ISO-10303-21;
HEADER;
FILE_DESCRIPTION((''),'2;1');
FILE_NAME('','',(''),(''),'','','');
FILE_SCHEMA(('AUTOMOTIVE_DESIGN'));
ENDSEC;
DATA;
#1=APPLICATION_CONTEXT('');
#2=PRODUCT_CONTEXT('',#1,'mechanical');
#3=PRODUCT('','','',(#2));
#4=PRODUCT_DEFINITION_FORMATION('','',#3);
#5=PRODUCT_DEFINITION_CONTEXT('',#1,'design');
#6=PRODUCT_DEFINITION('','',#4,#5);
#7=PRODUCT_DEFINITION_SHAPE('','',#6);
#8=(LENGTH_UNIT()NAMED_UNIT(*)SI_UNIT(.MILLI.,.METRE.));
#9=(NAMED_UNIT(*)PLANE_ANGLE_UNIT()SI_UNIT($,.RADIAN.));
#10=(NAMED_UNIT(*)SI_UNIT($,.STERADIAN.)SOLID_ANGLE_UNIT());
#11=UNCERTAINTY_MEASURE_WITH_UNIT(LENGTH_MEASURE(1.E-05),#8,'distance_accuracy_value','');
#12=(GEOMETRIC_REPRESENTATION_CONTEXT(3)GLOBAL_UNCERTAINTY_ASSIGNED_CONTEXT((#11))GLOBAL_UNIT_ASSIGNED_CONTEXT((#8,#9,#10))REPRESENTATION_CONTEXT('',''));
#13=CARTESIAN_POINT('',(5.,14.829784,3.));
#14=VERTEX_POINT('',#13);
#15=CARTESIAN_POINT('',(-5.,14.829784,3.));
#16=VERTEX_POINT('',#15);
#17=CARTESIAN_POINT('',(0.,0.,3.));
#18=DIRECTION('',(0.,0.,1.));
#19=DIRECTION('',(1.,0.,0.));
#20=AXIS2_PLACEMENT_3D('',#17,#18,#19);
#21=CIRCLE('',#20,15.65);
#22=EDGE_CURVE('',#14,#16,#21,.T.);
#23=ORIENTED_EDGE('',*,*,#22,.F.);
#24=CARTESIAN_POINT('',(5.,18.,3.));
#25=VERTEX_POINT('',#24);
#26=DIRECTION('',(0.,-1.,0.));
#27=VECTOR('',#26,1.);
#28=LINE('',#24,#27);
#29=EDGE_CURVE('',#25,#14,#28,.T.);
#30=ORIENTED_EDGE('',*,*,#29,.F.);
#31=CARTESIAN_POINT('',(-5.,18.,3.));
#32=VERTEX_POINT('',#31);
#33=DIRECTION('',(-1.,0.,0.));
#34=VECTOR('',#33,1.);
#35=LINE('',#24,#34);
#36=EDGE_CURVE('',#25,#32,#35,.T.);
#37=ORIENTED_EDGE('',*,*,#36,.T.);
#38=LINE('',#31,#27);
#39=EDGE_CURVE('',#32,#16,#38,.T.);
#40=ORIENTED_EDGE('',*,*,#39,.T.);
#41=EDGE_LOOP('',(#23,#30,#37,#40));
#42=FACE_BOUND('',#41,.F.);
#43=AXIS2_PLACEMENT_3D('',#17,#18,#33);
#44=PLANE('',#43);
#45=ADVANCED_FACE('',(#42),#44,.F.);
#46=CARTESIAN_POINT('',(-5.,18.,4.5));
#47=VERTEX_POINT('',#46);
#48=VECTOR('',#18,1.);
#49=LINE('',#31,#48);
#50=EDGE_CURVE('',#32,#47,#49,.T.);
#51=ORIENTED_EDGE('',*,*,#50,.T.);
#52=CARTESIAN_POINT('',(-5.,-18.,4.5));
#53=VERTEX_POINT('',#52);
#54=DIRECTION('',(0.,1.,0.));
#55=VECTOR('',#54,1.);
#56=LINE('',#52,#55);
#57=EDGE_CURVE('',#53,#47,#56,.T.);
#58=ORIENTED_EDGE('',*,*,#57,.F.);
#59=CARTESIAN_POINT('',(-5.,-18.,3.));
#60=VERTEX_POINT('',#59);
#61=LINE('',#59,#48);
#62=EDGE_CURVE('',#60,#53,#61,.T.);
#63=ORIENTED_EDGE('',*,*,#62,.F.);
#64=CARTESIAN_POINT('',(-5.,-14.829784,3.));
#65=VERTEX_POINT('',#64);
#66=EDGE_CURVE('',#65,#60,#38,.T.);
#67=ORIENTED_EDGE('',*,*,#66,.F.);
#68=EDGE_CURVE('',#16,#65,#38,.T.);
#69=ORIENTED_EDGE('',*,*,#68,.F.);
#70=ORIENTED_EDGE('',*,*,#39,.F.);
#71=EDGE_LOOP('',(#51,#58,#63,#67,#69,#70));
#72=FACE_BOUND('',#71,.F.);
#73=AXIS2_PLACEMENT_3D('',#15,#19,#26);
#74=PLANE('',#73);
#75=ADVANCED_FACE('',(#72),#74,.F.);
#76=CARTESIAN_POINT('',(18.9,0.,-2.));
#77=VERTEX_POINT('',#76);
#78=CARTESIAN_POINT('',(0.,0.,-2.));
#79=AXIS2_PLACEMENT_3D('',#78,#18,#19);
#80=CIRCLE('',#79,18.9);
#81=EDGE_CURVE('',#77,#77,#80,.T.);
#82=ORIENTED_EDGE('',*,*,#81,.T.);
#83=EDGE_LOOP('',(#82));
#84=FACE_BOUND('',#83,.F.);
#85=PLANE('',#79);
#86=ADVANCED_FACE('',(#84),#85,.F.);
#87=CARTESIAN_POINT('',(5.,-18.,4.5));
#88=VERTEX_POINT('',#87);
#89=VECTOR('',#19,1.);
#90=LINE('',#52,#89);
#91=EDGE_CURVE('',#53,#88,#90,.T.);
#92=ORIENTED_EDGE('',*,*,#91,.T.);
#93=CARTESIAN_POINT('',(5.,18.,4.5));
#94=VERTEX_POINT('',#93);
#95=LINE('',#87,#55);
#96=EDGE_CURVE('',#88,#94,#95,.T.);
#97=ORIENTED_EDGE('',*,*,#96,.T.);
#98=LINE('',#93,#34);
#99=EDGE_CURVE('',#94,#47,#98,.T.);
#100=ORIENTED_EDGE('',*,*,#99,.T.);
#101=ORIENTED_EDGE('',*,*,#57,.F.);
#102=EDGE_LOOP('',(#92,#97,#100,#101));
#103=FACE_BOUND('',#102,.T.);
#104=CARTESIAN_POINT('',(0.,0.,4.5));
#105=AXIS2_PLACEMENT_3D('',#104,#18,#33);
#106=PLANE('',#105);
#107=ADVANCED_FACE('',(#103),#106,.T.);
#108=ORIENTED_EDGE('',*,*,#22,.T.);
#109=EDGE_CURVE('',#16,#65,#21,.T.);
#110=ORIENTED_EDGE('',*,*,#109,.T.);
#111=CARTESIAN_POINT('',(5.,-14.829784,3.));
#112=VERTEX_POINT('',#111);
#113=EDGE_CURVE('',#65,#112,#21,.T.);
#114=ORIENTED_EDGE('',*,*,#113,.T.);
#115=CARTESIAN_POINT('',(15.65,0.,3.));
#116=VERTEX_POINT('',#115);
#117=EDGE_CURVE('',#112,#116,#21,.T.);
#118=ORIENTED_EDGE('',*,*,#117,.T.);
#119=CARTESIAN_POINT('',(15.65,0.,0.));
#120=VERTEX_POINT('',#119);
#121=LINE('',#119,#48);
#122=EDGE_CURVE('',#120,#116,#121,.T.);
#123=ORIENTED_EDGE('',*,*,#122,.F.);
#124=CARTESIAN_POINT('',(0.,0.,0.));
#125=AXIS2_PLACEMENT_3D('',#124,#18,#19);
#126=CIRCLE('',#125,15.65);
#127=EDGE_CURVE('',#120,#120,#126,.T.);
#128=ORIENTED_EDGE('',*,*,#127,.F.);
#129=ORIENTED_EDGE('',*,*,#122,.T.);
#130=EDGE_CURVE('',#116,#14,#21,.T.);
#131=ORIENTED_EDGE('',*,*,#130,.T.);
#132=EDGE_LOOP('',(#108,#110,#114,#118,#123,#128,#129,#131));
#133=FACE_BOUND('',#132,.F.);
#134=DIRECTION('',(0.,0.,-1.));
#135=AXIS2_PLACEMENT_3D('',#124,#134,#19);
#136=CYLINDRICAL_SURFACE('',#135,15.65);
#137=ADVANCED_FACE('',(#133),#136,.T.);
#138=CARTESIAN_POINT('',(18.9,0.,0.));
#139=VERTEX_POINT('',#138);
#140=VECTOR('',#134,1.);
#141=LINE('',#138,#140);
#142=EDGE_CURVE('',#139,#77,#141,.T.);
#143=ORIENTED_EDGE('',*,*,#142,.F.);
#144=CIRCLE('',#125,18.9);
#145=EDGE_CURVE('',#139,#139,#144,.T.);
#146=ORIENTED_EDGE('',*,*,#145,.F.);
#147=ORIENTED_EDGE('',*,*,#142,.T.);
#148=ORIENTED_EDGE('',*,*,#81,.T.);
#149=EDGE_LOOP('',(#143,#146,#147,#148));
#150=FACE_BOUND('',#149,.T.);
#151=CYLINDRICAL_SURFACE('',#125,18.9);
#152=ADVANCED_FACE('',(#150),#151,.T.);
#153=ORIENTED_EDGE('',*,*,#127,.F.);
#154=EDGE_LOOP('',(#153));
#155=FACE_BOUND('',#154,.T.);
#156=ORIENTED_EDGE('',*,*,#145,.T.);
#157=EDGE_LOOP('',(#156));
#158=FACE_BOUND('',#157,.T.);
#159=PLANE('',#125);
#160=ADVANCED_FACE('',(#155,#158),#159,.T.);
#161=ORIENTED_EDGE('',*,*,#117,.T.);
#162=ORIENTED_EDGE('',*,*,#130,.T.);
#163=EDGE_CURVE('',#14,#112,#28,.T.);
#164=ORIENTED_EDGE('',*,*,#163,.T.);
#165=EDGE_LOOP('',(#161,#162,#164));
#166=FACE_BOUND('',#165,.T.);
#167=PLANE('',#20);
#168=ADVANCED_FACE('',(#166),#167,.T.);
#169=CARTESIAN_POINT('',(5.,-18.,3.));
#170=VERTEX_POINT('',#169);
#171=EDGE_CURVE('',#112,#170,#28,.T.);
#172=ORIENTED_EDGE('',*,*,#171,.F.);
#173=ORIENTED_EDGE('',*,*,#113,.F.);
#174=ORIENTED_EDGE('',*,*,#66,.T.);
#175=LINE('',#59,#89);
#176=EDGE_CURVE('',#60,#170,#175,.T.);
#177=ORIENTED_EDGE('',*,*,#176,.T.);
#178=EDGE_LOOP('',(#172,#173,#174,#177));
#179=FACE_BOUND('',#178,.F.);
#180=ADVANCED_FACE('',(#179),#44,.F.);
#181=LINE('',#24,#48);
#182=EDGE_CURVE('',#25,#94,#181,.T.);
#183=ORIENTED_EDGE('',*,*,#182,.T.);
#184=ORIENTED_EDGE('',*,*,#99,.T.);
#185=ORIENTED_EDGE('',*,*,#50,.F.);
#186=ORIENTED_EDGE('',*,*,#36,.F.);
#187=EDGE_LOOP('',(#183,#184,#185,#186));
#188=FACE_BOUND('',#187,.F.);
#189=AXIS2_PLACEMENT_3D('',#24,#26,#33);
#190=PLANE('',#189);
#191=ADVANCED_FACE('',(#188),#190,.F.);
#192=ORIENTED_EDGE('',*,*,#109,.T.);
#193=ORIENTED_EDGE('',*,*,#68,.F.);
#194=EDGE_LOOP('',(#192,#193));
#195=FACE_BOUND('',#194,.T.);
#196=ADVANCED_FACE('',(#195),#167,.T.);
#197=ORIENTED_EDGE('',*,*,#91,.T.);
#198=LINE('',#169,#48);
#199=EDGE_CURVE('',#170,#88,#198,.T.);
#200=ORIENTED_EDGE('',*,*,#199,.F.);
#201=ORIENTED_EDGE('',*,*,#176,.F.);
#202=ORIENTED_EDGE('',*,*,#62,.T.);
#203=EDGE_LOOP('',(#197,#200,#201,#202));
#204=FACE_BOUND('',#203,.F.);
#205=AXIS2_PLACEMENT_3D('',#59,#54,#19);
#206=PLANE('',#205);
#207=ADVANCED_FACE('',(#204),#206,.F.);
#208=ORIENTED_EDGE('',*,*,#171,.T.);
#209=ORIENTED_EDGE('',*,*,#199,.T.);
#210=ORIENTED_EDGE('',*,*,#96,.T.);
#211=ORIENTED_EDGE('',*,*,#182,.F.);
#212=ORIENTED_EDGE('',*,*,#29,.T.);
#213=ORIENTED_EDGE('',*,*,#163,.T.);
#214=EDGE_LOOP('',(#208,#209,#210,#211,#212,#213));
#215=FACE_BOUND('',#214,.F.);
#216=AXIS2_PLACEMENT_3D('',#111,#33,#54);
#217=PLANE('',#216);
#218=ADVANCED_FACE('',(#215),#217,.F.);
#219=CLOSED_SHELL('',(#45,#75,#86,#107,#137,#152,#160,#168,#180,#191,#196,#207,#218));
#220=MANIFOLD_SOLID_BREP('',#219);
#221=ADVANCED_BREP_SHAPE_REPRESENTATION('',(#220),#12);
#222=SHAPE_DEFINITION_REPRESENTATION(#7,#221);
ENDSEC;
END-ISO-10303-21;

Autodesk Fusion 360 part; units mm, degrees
sketch "Sketch1" plane through (0, 0, 0) normal (0, 0, 1) x (1, 0, 0)
  circle A0 centre (0, 0) radius 15.65
  circle A1 centre (0, 0) radius 18.9
  dimension "d3" = 31.3
  dimension "d11" = 37.8
extrude "Extrude1" add sketch "Sketch1" along normal blind 3 contours A0
sketch "Sketch2" plane through (0, 0, 3) normal (0, 0, 1) x (-1, 0, 0)
  circle A0 centre (0, 0) radius 15.65
  line L0 (-5, -18) -> (5, -18)
  line L1 (5, -18) -> (5, 18)
  line L2 (5, 18) -> (-5, 18)
  line L3 (-5, 18) -> (-5, -18)
  line L4 (-5, -18) -> (5, 18) construction
  line L5 (5, -18) -> (-5, 18) construction
  dimension "d7" = 10
  dimension "d8" = 36
extrude "Extrude2" add sketch "Sketch2" along normal blind 1.5 contours A0 L1 L3 | A0 L1 L2 L3 | A0 L0 L1 L3
extrude "Extrude3" add sketch "Sketch1" against normal blind 2 contours A0 | A1
equation "bigID = 31.3 mm"
equation "bigtab = 36 mm"
equation "d3 = bigID"
equation "bigtabwidth = 10 mm"
equation "d7 = bigtabwidth"
equation "d8 = bigtab"
equation "d11 = bigID + 6.5 mm"
